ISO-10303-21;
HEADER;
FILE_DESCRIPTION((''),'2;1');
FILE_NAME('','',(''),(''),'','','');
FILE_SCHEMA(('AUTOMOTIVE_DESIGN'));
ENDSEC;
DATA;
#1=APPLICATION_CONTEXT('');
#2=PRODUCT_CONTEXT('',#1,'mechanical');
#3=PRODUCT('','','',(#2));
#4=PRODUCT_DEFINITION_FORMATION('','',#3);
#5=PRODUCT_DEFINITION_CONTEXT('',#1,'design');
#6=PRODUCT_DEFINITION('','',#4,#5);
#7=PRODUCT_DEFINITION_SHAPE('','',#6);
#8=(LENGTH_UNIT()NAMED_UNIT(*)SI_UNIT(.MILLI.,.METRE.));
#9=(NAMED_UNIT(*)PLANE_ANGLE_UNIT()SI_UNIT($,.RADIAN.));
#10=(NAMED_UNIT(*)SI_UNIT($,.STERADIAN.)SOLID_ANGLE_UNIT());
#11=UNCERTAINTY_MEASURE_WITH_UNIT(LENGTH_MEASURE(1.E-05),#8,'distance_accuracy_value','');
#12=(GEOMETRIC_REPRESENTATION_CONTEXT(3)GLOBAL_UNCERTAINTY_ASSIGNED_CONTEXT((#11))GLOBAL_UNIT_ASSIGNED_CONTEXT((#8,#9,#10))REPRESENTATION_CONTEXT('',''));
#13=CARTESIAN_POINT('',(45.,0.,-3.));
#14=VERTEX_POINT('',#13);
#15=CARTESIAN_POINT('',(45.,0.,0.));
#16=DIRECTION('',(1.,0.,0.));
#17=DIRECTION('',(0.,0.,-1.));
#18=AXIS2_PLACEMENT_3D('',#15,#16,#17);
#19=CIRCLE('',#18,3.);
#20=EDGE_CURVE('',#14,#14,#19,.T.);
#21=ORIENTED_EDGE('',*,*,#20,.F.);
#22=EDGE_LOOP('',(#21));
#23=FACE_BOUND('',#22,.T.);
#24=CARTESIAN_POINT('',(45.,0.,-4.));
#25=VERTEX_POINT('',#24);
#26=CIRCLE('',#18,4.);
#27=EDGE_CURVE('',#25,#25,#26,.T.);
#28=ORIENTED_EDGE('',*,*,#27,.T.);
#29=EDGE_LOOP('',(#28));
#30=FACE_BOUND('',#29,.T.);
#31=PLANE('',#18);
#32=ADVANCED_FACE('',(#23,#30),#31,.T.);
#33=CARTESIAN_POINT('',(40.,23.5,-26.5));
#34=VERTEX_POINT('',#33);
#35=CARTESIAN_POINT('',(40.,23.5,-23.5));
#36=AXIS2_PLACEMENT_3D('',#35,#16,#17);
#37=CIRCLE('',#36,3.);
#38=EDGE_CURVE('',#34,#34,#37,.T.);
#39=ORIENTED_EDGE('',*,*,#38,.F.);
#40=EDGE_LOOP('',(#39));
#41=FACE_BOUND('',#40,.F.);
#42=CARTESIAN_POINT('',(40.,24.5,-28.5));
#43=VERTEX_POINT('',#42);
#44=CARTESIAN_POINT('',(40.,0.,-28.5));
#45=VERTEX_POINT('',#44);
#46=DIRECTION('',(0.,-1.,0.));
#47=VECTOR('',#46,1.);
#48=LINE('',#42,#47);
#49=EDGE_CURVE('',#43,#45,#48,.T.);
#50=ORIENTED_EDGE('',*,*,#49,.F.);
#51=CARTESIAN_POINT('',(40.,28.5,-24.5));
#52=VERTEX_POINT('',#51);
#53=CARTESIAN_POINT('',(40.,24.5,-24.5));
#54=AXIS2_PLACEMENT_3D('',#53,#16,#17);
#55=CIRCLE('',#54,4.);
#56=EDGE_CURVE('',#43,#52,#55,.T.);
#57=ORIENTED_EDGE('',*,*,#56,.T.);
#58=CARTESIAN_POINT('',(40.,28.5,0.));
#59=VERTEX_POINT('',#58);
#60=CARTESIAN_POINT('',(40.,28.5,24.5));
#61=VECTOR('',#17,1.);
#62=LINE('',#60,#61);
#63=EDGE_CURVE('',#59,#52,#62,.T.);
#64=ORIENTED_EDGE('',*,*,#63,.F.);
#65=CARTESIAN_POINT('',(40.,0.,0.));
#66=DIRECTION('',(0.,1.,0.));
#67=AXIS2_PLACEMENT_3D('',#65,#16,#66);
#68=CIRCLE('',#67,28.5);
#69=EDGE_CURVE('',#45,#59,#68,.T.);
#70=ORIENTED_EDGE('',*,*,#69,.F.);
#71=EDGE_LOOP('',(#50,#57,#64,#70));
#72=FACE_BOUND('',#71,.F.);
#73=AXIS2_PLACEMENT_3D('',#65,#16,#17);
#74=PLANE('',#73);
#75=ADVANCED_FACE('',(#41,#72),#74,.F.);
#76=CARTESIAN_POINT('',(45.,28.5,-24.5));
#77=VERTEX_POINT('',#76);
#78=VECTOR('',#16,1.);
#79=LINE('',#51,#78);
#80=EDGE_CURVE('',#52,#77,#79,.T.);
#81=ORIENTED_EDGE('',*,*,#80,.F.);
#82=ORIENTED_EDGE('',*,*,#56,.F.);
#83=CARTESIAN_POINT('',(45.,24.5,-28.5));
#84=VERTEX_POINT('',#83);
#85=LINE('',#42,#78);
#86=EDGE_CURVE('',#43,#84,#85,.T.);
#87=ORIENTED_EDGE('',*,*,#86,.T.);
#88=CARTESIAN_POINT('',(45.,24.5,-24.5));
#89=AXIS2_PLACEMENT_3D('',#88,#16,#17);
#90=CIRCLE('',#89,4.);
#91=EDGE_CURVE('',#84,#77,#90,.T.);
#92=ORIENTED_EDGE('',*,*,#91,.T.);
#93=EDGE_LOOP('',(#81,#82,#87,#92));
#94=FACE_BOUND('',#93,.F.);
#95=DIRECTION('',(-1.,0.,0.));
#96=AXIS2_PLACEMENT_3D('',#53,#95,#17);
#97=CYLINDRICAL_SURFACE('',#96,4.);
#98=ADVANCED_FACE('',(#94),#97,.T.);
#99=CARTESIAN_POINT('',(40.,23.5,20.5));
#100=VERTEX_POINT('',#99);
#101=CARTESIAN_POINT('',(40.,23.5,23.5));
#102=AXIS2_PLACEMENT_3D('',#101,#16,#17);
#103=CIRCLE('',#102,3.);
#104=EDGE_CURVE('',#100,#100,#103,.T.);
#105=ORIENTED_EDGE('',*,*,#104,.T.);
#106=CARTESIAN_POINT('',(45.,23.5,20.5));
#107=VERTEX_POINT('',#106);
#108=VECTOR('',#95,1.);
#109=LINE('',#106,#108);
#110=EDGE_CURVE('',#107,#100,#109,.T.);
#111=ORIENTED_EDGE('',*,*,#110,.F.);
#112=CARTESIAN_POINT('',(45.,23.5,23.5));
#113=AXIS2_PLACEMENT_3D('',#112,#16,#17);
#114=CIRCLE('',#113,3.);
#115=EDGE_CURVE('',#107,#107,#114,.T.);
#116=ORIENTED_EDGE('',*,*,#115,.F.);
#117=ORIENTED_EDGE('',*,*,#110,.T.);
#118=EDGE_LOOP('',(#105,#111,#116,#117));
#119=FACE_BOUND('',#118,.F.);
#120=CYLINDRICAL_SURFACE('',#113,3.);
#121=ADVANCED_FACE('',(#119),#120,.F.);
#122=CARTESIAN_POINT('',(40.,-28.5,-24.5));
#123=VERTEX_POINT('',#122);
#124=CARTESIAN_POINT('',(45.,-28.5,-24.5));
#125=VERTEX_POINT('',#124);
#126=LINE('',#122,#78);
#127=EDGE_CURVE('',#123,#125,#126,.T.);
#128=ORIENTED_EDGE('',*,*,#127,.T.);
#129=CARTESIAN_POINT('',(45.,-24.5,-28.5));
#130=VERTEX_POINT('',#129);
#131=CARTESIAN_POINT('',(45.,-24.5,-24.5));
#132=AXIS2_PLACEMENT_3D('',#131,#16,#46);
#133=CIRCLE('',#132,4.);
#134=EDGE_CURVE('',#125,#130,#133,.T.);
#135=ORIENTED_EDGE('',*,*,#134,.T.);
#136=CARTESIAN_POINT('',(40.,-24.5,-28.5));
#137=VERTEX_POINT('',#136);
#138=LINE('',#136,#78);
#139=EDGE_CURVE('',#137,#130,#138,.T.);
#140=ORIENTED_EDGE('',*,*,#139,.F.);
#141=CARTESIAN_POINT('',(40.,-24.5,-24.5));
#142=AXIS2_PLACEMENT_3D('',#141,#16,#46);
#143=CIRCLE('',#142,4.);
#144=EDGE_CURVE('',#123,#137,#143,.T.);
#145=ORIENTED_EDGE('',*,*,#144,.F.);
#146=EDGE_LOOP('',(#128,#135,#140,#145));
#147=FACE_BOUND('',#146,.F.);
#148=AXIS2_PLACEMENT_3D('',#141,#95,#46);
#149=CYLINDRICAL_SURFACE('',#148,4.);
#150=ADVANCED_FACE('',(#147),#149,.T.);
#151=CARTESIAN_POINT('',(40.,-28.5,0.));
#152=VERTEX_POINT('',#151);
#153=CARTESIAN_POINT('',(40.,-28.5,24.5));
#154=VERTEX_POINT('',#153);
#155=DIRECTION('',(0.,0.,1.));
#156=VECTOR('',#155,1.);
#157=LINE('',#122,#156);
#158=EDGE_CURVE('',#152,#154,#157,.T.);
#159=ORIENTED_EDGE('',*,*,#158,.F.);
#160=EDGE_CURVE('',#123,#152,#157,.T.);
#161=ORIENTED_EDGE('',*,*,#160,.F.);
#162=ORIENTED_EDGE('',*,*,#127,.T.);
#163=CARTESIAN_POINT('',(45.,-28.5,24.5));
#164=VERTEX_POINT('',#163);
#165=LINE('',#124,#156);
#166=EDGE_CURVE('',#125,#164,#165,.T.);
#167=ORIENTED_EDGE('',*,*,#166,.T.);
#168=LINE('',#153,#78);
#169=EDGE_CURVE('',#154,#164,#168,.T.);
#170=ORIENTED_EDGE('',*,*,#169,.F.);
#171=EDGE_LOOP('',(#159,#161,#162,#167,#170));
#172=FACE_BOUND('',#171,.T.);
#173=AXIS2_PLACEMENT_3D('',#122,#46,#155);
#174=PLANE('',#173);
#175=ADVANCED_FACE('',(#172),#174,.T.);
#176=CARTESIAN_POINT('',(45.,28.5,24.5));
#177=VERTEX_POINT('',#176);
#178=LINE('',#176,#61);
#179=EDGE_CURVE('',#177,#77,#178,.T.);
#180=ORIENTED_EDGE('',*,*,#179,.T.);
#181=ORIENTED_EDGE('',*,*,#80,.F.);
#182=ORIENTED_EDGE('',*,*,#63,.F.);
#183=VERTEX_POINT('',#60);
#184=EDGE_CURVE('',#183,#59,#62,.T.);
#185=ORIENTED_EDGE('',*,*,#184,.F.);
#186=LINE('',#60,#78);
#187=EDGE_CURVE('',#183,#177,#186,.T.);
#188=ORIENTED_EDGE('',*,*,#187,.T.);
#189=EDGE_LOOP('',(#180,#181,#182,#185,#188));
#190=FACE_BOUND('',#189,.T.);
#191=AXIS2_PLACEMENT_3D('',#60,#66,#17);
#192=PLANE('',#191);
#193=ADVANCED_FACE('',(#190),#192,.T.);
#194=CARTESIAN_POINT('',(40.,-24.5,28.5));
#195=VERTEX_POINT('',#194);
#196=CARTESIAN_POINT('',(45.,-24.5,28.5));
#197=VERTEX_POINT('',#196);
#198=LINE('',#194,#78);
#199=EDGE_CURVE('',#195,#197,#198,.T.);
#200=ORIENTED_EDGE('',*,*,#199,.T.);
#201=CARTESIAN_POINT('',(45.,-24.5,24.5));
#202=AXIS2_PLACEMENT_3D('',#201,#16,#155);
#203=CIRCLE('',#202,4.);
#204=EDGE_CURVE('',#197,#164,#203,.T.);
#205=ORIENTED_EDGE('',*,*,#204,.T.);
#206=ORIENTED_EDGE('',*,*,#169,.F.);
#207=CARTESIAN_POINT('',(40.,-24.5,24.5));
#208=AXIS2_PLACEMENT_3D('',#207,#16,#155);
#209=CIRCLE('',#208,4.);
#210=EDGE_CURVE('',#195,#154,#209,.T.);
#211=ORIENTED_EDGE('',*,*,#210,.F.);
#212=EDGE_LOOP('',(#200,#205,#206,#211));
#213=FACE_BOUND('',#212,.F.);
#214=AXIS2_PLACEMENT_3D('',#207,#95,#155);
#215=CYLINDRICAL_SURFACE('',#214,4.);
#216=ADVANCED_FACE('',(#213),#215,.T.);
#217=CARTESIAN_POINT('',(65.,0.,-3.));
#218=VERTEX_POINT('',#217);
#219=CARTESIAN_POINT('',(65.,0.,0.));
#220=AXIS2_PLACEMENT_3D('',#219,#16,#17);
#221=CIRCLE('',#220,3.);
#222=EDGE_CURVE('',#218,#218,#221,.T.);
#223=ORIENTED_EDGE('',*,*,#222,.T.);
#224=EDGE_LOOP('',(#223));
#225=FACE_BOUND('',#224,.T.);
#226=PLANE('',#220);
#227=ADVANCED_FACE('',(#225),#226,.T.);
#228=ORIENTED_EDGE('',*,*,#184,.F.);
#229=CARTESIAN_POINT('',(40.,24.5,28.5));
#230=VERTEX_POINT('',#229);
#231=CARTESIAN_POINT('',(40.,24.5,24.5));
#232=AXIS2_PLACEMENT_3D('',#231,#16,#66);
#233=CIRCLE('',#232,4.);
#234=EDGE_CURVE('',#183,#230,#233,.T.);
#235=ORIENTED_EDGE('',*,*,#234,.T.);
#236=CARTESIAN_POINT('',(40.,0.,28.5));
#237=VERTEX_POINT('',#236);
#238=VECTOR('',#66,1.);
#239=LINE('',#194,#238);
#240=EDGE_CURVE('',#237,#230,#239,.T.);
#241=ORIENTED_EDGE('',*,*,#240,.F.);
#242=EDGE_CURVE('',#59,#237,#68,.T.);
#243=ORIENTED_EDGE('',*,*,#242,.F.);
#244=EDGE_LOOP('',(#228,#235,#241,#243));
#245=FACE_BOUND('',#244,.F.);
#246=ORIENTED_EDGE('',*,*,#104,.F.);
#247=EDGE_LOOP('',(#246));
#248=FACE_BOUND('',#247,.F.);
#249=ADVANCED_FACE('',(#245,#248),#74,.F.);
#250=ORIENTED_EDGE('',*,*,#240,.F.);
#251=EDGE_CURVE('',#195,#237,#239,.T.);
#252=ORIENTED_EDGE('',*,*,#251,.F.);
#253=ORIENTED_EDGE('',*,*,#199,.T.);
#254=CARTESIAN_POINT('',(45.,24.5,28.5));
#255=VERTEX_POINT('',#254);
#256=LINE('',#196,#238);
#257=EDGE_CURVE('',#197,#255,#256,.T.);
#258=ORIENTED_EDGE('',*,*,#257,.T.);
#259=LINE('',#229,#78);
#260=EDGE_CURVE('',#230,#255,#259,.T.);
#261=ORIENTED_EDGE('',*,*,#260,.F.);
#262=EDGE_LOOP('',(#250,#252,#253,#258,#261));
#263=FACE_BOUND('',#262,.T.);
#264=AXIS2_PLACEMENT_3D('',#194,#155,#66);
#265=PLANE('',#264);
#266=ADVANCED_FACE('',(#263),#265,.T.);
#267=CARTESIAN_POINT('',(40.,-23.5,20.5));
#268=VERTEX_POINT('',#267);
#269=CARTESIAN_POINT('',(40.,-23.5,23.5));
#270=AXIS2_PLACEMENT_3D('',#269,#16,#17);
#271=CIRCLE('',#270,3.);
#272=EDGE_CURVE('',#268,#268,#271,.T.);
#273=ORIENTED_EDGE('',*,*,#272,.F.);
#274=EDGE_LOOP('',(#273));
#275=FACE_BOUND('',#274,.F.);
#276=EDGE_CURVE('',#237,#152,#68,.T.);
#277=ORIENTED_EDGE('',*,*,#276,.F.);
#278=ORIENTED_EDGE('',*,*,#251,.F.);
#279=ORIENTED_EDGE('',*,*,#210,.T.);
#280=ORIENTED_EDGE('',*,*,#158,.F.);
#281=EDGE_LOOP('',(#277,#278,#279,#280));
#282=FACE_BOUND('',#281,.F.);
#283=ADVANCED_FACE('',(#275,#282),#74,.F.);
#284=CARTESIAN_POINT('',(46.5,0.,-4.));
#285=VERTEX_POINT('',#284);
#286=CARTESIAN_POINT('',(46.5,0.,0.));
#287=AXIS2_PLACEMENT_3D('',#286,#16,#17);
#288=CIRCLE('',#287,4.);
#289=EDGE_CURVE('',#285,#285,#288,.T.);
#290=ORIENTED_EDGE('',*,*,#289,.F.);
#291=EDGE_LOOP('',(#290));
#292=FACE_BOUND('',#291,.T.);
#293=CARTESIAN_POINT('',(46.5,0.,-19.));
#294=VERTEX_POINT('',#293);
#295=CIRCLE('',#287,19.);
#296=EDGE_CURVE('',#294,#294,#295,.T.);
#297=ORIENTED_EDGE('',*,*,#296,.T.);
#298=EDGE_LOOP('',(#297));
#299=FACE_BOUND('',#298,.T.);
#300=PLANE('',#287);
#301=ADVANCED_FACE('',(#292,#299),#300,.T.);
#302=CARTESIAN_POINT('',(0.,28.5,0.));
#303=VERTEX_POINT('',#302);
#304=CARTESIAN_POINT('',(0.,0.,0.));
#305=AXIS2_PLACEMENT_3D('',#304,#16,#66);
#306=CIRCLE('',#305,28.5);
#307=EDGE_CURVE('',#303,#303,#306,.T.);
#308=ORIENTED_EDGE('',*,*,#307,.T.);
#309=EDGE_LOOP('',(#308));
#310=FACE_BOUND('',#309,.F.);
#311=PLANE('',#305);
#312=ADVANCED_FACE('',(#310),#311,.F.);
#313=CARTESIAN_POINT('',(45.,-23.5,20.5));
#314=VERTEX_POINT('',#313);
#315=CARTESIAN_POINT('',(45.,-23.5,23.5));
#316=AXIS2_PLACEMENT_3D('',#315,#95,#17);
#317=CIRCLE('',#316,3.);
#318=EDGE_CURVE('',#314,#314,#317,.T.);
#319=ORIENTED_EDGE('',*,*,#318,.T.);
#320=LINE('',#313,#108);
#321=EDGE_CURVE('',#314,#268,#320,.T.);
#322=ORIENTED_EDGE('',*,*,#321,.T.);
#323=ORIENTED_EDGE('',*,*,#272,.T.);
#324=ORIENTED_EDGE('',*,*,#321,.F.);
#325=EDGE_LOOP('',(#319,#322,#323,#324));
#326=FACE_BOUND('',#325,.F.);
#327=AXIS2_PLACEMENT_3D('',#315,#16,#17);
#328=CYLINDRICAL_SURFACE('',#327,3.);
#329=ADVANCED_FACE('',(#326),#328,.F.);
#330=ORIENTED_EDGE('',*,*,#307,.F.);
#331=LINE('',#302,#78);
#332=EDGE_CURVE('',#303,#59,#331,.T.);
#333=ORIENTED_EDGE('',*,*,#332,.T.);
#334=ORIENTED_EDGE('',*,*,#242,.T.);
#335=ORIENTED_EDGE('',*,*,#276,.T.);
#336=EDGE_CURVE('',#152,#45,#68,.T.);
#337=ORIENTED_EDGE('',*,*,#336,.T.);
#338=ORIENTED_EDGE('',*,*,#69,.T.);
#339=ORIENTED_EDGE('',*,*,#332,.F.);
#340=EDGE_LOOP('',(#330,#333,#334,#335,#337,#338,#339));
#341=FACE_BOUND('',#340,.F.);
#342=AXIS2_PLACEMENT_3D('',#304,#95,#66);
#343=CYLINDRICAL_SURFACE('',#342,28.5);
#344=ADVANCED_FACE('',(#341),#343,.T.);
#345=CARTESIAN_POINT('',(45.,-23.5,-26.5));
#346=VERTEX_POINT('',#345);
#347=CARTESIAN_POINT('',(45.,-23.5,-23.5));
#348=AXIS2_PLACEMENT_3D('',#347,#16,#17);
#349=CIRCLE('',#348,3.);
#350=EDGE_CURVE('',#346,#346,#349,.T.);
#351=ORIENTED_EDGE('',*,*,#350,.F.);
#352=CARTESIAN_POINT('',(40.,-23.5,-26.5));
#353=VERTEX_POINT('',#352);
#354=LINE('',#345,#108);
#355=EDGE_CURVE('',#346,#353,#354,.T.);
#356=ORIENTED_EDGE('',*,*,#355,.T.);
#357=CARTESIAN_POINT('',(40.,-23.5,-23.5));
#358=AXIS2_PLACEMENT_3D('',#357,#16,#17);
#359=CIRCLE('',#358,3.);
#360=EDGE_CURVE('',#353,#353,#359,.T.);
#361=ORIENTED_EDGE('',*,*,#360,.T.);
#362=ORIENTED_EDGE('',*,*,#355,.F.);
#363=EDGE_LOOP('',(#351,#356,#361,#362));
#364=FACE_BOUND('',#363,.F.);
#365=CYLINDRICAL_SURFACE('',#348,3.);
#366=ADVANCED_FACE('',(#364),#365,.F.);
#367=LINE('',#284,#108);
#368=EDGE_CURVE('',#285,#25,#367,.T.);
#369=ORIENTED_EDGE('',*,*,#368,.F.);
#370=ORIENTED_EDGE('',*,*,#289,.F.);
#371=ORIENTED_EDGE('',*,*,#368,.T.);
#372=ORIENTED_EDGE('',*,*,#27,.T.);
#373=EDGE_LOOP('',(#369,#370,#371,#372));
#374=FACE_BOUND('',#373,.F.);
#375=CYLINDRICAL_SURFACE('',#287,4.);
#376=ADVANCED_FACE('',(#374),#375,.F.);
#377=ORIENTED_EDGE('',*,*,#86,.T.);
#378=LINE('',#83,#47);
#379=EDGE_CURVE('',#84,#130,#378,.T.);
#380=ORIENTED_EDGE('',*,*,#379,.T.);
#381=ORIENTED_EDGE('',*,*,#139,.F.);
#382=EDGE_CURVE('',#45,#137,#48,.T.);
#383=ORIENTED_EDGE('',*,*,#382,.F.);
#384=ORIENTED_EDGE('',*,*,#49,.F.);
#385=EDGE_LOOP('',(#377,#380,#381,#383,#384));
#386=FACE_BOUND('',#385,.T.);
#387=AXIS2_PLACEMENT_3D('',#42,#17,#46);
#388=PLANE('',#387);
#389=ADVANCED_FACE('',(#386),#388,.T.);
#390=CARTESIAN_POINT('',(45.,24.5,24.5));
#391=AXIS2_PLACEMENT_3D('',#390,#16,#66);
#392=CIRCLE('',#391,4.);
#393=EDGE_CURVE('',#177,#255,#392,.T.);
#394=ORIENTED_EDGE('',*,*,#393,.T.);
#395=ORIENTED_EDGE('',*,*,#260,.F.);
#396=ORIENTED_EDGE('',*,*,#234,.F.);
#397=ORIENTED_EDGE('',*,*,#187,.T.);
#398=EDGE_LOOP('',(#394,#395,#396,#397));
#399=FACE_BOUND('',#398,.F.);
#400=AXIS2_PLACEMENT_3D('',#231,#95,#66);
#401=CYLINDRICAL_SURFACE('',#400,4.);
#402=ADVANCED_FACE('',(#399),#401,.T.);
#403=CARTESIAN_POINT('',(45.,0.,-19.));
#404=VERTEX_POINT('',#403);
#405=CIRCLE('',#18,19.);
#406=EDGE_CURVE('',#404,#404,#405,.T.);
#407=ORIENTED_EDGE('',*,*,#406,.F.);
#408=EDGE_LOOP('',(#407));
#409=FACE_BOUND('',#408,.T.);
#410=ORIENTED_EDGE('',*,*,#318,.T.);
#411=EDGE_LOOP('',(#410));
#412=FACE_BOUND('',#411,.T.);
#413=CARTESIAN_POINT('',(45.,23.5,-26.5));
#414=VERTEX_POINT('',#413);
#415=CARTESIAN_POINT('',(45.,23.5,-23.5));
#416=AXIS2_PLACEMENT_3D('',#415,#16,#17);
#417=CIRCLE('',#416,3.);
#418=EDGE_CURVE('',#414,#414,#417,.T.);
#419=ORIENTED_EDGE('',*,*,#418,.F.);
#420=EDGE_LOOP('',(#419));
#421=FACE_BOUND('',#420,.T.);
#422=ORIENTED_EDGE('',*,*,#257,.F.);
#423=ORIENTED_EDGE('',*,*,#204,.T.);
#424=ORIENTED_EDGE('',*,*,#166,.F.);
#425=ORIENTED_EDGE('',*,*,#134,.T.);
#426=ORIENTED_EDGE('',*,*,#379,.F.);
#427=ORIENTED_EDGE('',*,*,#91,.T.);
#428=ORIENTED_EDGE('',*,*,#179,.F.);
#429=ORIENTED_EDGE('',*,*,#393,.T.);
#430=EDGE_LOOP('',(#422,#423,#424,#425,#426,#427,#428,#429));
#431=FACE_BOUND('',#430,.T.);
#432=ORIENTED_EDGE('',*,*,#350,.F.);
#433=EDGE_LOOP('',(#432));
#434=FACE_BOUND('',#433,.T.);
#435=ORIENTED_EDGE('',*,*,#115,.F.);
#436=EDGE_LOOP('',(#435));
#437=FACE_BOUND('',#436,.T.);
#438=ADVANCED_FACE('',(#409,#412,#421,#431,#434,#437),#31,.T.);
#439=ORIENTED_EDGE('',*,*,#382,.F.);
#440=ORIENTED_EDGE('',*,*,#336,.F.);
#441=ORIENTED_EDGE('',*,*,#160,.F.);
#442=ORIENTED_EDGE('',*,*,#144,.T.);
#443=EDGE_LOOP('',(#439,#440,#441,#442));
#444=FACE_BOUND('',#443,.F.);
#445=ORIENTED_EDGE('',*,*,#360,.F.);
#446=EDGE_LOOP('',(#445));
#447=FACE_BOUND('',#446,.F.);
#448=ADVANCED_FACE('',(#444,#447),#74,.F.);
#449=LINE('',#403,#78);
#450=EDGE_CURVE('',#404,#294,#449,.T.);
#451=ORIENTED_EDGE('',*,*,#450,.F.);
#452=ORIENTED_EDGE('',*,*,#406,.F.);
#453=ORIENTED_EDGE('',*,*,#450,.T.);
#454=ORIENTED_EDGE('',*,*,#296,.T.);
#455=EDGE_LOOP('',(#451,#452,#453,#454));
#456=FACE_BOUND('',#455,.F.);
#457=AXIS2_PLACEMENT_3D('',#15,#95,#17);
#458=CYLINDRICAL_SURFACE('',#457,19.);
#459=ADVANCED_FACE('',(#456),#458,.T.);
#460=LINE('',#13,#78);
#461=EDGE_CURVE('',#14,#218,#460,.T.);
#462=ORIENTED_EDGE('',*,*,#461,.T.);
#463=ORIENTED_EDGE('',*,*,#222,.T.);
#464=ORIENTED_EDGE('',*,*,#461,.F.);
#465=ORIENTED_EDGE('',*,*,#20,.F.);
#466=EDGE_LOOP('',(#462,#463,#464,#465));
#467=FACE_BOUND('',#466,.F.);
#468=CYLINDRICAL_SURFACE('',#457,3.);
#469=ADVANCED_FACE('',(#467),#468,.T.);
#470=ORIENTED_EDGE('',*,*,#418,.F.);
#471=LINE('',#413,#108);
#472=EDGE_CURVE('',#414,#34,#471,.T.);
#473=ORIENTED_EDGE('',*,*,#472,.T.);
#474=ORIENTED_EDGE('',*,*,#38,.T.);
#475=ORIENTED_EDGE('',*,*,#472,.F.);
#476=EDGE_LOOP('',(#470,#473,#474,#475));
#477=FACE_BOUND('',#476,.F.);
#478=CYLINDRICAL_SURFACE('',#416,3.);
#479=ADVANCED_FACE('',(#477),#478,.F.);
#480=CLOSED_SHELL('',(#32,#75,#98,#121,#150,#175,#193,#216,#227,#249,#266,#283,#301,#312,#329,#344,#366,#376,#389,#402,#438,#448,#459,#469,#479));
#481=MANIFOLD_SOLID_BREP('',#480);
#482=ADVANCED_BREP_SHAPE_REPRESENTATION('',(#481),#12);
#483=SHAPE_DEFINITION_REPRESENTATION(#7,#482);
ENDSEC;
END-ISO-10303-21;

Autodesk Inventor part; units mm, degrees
ref_plane "YZ Plane" through (0, 0, 0) normal (1, 0, 0) x (0, 1, 0)
ref_plane "XZ Plane" through (0, 0, 0) normal (0, 1, 0) x (-1, 0, 0)
ref_plane "XY Plane" through (0, 0, 0) normal (0, 0, 1) x (1, 0, 0)
sketch "Boceto1" plane through (0, 0, 0) normal (1, 0, 0) x (0, 1, 0)
  circle A0 centre (0, 0) radius 28.5
  dimension "d0" = 57
extrude "cuerpo" add sketch "Boceto1" along normal blind 40
sketch "Boceto2" plane through (40, 0, 0) normal (1, 0, 0) x (0, 0, -1)
  line L0 (-24.5, 28.5) -> (24.5, 28.5)
  line L1 (28.5, 24.5) -> (28.5, -24.5)
  line L2 (24.5, -28.5) -> (-24.5, -28.5)
  line L3 (-28.5, -24.5) -> (-28.5, 24.5)
  line L4 (-28.5, 28.5) -> (28.5, -28.5) construction
  line L5 (28.5, 28.5) -> (-28.5, -28.5) construction
  arc A0 (28.5, 24.5) -> (24.5, 28.5) centre (24.5, 24.5) ccw
  arc A1 (-24.5, 28.5) -> (-28.5, 24.5) centre (-24.5, 24.5) ccw
  arc A2 (-28.5, -24.5) -> (-24.5, -28.5) centre (-24.5, -24.5) ccw
  arc A3 (24.5, -28.5) -> (28.5, -24.5) centre (24.5, -24.5) ccw
  point P0 (0, 0)
  dimension "d3" = 57
  dimension "d4" = 57
  dimension "d16" = 4
extrude "cara" add sketch "Boceto2" along normal blind 5
sketch "Boceto3" plane through (45, 0, 0) normal (1, 0, 0) x (0, 0, -1)
  circle A0 centre (0, 0) radius 19
  dimension "d7" = 38
extrude "Extrusión3" add sketch "Boceto3" along normal blind 1.5
sketch "Boceto4" plane through (46.5, 0, 0) normal (1, 0, 0) x (0, 0, -1)
  circle A0 centre (0, 0) radius 4
  dimension "d10" = 8
extrude "Extrusión4" cut sketch "Boceto4" against normal blind 1.5
sketch "Boceto5" plane through (45, 0, 0) normal (1, 0, 0) x (0, 0, -1)
  circle A0 centre (0, 0) radius 3
  dimension "d13" = 6
extrude "Extrusión5" add sketch "Boceto5" along normal blind 20
sketch "Boceto6" plane through (45, 0, 0) normal (1, 0, 0) x (0, 0, -1)
  line L0 (24.5, 28.5) -> (-24.5, 28.5) projected
  line L1 (-28.5, 24.5) -> (-28.5, -24.5) projected
  line L2 (-28.5, 0) -> (28.2081, 0)
  line L3 (0, 28.5) -> (0, -28.5)
  line L4 (-24.5, -28.5) -> (24.5, -28.5) projected
  line L5 (-24.5, -28.5) -> (-23.5, -28.5)
  line L6 (0, -28.5) -> (-24.5, -28.5) projected
  line L7 (-23.5, -28.5) -> (-23.5, -23.5)
  circle A0 centre (-23.5, -23.5) radius 3
  circle A1 centre (23.5, -23.5) radius 3
  circle A2 centre (-23.5, 23.5) radius 3
  circle A3 centre (23.5, 23.5) radius 3
  point P0 (0, 0)
  dimension "d22" = 1
  dimension "d23" = 5
  dimension "d24" = 6
extrude "Extrusión6" cut sketch "Boceto6" against normal up to surface (5 mm away)
